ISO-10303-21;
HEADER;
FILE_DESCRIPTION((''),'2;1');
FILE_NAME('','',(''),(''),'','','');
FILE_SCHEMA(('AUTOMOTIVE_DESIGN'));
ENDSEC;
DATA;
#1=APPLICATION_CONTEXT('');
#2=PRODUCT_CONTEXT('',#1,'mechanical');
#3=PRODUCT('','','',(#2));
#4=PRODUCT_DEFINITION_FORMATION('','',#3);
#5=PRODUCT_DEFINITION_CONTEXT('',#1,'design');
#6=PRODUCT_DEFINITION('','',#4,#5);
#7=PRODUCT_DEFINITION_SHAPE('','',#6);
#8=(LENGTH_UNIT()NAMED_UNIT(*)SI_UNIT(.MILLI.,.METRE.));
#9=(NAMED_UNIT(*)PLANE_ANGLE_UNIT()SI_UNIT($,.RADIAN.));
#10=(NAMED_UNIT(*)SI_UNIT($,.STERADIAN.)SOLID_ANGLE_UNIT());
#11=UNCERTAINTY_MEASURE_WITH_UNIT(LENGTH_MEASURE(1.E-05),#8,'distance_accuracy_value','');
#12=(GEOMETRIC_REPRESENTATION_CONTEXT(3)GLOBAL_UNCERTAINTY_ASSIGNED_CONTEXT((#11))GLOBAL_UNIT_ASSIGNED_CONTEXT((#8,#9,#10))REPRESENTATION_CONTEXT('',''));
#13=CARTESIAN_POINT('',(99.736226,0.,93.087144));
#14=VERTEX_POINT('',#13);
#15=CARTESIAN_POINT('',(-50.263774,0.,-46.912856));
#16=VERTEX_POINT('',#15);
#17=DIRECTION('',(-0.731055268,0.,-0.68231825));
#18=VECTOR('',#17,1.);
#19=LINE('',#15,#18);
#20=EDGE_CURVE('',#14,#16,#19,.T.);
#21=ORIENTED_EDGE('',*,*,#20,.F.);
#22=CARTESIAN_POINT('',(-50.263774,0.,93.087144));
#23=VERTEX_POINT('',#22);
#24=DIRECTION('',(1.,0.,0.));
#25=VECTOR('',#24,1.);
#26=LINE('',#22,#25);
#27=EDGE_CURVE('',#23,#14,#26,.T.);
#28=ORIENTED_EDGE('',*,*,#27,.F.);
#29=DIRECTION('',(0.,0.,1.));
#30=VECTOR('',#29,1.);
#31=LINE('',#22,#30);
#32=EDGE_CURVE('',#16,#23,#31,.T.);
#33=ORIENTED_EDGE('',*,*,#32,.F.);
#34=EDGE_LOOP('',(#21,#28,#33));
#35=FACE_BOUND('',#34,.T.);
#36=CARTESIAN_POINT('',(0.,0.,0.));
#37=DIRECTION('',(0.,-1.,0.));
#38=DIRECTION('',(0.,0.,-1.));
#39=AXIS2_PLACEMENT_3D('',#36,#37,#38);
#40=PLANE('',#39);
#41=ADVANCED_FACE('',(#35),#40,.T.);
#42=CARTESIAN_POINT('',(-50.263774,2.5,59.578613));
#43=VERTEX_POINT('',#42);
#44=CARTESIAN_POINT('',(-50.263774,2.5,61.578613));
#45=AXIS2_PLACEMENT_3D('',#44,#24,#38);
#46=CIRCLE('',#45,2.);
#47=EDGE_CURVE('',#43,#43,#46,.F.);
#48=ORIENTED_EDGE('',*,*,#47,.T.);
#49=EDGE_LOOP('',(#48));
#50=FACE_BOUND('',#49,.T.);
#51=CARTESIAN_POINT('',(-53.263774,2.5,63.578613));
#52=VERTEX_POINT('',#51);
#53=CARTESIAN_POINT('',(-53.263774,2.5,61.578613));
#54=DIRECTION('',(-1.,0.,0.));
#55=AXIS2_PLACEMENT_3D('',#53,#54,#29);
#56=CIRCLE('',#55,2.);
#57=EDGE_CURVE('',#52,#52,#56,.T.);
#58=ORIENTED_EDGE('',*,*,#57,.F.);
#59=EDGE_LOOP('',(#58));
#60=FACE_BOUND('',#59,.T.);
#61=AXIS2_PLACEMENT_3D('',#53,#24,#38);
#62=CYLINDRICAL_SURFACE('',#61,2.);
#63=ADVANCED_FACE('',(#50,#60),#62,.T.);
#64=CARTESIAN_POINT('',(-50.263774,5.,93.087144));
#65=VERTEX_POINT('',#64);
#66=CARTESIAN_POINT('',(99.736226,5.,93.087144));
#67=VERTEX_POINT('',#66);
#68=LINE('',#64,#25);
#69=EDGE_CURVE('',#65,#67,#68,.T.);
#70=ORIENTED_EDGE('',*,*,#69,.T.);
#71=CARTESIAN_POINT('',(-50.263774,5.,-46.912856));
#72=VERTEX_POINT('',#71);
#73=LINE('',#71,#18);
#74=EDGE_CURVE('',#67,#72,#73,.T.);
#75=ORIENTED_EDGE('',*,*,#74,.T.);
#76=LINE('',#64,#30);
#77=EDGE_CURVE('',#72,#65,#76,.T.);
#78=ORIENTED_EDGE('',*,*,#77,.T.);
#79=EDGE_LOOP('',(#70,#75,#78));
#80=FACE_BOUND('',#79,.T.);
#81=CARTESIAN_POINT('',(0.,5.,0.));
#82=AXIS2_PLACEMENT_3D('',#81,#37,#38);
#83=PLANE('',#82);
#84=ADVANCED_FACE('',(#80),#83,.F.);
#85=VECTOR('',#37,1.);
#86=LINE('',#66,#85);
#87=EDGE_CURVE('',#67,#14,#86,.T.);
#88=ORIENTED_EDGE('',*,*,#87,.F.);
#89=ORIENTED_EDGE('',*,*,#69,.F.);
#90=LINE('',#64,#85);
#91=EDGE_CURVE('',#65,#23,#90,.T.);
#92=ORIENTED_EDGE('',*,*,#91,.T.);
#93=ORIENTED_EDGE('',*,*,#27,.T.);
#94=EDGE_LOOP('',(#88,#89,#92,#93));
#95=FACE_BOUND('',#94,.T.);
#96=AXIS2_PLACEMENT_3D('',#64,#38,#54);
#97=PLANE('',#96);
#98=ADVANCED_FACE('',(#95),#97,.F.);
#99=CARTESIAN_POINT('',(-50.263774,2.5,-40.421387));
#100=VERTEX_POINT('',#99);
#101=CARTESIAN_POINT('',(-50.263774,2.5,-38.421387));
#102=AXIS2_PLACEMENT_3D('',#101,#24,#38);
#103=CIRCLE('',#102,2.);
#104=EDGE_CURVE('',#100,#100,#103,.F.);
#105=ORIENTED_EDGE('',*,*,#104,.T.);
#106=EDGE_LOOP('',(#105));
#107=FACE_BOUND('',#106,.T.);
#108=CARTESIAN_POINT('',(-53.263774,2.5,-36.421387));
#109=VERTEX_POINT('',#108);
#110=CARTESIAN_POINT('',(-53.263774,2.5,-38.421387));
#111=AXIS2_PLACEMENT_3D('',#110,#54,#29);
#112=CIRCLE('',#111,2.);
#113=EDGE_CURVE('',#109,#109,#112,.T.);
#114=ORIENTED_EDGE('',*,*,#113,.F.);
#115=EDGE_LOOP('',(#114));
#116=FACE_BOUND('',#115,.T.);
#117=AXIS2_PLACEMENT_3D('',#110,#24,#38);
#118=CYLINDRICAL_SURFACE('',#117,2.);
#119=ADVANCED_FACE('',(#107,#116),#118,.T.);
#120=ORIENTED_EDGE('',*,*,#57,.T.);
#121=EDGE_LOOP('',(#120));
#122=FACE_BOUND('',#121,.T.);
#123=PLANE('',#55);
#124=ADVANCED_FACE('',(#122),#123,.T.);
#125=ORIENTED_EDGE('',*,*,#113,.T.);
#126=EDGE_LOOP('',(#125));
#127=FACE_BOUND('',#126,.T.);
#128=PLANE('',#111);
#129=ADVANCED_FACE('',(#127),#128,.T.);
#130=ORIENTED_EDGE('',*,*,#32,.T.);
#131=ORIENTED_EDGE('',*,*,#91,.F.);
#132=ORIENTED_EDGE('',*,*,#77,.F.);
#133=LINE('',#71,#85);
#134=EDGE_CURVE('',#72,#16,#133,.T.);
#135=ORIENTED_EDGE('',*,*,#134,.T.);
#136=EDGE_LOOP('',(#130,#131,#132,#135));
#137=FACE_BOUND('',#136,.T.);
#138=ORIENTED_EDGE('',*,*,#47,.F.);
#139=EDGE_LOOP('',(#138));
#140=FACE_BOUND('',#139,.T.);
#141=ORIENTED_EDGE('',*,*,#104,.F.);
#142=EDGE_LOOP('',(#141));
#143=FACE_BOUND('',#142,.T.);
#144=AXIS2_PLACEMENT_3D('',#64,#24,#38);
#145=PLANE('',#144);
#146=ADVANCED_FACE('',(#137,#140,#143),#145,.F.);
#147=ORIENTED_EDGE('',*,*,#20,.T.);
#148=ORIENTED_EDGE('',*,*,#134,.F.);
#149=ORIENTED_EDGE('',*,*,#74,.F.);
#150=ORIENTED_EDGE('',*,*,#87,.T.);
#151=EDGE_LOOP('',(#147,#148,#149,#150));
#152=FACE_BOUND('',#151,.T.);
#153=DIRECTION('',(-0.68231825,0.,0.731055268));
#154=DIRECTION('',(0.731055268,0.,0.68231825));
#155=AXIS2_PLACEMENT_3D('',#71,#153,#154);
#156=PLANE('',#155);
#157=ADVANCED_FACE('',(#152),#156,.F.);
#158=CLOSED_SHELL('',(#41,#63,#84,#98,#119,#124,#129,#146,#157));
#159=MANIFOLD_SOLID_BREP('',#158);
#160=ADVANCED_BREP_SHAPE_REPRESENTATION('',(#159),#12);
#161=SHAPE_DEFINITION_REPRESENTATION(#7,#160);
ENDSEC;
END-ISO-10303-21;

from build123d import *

# Parameters (mm, degrees)
BOSS_EXTRUDE1_DEPTH = 5
SKETCH2_R           = 2
BOSS_EXTRUDE2_DEPTH = 3


with BuildPart() as part:
    # Sketch1 → Boss-Extrude1 (new body)
    with BuildSketch(Plane(origin=(0, 0, 0), x_dir=(1, 0, 0), z_dir=(0, 1, 0))):
        Polygon((-50.263774427, 46.912856132), (99.736225573, -93.087143868), (-50.263774427, -93.087143868), align=None)
    extrude(amount=BOSS_EXTRUDE1_DEPTH)

    # Sketch2 → Boss-Extrude2 (add)
    with BuildSketch(Plane.ZY.offset(50.263774427)):
        with Locations((-38.421386897, 2.5)):
            Circle(SKETCH2_R)
        with Locations((61.578613103, 2.5)):
            Circle(SKETCH2_R)
    extrude(amount=BOSS_EXTRUDE2_DEPTH)


solid = part.part
